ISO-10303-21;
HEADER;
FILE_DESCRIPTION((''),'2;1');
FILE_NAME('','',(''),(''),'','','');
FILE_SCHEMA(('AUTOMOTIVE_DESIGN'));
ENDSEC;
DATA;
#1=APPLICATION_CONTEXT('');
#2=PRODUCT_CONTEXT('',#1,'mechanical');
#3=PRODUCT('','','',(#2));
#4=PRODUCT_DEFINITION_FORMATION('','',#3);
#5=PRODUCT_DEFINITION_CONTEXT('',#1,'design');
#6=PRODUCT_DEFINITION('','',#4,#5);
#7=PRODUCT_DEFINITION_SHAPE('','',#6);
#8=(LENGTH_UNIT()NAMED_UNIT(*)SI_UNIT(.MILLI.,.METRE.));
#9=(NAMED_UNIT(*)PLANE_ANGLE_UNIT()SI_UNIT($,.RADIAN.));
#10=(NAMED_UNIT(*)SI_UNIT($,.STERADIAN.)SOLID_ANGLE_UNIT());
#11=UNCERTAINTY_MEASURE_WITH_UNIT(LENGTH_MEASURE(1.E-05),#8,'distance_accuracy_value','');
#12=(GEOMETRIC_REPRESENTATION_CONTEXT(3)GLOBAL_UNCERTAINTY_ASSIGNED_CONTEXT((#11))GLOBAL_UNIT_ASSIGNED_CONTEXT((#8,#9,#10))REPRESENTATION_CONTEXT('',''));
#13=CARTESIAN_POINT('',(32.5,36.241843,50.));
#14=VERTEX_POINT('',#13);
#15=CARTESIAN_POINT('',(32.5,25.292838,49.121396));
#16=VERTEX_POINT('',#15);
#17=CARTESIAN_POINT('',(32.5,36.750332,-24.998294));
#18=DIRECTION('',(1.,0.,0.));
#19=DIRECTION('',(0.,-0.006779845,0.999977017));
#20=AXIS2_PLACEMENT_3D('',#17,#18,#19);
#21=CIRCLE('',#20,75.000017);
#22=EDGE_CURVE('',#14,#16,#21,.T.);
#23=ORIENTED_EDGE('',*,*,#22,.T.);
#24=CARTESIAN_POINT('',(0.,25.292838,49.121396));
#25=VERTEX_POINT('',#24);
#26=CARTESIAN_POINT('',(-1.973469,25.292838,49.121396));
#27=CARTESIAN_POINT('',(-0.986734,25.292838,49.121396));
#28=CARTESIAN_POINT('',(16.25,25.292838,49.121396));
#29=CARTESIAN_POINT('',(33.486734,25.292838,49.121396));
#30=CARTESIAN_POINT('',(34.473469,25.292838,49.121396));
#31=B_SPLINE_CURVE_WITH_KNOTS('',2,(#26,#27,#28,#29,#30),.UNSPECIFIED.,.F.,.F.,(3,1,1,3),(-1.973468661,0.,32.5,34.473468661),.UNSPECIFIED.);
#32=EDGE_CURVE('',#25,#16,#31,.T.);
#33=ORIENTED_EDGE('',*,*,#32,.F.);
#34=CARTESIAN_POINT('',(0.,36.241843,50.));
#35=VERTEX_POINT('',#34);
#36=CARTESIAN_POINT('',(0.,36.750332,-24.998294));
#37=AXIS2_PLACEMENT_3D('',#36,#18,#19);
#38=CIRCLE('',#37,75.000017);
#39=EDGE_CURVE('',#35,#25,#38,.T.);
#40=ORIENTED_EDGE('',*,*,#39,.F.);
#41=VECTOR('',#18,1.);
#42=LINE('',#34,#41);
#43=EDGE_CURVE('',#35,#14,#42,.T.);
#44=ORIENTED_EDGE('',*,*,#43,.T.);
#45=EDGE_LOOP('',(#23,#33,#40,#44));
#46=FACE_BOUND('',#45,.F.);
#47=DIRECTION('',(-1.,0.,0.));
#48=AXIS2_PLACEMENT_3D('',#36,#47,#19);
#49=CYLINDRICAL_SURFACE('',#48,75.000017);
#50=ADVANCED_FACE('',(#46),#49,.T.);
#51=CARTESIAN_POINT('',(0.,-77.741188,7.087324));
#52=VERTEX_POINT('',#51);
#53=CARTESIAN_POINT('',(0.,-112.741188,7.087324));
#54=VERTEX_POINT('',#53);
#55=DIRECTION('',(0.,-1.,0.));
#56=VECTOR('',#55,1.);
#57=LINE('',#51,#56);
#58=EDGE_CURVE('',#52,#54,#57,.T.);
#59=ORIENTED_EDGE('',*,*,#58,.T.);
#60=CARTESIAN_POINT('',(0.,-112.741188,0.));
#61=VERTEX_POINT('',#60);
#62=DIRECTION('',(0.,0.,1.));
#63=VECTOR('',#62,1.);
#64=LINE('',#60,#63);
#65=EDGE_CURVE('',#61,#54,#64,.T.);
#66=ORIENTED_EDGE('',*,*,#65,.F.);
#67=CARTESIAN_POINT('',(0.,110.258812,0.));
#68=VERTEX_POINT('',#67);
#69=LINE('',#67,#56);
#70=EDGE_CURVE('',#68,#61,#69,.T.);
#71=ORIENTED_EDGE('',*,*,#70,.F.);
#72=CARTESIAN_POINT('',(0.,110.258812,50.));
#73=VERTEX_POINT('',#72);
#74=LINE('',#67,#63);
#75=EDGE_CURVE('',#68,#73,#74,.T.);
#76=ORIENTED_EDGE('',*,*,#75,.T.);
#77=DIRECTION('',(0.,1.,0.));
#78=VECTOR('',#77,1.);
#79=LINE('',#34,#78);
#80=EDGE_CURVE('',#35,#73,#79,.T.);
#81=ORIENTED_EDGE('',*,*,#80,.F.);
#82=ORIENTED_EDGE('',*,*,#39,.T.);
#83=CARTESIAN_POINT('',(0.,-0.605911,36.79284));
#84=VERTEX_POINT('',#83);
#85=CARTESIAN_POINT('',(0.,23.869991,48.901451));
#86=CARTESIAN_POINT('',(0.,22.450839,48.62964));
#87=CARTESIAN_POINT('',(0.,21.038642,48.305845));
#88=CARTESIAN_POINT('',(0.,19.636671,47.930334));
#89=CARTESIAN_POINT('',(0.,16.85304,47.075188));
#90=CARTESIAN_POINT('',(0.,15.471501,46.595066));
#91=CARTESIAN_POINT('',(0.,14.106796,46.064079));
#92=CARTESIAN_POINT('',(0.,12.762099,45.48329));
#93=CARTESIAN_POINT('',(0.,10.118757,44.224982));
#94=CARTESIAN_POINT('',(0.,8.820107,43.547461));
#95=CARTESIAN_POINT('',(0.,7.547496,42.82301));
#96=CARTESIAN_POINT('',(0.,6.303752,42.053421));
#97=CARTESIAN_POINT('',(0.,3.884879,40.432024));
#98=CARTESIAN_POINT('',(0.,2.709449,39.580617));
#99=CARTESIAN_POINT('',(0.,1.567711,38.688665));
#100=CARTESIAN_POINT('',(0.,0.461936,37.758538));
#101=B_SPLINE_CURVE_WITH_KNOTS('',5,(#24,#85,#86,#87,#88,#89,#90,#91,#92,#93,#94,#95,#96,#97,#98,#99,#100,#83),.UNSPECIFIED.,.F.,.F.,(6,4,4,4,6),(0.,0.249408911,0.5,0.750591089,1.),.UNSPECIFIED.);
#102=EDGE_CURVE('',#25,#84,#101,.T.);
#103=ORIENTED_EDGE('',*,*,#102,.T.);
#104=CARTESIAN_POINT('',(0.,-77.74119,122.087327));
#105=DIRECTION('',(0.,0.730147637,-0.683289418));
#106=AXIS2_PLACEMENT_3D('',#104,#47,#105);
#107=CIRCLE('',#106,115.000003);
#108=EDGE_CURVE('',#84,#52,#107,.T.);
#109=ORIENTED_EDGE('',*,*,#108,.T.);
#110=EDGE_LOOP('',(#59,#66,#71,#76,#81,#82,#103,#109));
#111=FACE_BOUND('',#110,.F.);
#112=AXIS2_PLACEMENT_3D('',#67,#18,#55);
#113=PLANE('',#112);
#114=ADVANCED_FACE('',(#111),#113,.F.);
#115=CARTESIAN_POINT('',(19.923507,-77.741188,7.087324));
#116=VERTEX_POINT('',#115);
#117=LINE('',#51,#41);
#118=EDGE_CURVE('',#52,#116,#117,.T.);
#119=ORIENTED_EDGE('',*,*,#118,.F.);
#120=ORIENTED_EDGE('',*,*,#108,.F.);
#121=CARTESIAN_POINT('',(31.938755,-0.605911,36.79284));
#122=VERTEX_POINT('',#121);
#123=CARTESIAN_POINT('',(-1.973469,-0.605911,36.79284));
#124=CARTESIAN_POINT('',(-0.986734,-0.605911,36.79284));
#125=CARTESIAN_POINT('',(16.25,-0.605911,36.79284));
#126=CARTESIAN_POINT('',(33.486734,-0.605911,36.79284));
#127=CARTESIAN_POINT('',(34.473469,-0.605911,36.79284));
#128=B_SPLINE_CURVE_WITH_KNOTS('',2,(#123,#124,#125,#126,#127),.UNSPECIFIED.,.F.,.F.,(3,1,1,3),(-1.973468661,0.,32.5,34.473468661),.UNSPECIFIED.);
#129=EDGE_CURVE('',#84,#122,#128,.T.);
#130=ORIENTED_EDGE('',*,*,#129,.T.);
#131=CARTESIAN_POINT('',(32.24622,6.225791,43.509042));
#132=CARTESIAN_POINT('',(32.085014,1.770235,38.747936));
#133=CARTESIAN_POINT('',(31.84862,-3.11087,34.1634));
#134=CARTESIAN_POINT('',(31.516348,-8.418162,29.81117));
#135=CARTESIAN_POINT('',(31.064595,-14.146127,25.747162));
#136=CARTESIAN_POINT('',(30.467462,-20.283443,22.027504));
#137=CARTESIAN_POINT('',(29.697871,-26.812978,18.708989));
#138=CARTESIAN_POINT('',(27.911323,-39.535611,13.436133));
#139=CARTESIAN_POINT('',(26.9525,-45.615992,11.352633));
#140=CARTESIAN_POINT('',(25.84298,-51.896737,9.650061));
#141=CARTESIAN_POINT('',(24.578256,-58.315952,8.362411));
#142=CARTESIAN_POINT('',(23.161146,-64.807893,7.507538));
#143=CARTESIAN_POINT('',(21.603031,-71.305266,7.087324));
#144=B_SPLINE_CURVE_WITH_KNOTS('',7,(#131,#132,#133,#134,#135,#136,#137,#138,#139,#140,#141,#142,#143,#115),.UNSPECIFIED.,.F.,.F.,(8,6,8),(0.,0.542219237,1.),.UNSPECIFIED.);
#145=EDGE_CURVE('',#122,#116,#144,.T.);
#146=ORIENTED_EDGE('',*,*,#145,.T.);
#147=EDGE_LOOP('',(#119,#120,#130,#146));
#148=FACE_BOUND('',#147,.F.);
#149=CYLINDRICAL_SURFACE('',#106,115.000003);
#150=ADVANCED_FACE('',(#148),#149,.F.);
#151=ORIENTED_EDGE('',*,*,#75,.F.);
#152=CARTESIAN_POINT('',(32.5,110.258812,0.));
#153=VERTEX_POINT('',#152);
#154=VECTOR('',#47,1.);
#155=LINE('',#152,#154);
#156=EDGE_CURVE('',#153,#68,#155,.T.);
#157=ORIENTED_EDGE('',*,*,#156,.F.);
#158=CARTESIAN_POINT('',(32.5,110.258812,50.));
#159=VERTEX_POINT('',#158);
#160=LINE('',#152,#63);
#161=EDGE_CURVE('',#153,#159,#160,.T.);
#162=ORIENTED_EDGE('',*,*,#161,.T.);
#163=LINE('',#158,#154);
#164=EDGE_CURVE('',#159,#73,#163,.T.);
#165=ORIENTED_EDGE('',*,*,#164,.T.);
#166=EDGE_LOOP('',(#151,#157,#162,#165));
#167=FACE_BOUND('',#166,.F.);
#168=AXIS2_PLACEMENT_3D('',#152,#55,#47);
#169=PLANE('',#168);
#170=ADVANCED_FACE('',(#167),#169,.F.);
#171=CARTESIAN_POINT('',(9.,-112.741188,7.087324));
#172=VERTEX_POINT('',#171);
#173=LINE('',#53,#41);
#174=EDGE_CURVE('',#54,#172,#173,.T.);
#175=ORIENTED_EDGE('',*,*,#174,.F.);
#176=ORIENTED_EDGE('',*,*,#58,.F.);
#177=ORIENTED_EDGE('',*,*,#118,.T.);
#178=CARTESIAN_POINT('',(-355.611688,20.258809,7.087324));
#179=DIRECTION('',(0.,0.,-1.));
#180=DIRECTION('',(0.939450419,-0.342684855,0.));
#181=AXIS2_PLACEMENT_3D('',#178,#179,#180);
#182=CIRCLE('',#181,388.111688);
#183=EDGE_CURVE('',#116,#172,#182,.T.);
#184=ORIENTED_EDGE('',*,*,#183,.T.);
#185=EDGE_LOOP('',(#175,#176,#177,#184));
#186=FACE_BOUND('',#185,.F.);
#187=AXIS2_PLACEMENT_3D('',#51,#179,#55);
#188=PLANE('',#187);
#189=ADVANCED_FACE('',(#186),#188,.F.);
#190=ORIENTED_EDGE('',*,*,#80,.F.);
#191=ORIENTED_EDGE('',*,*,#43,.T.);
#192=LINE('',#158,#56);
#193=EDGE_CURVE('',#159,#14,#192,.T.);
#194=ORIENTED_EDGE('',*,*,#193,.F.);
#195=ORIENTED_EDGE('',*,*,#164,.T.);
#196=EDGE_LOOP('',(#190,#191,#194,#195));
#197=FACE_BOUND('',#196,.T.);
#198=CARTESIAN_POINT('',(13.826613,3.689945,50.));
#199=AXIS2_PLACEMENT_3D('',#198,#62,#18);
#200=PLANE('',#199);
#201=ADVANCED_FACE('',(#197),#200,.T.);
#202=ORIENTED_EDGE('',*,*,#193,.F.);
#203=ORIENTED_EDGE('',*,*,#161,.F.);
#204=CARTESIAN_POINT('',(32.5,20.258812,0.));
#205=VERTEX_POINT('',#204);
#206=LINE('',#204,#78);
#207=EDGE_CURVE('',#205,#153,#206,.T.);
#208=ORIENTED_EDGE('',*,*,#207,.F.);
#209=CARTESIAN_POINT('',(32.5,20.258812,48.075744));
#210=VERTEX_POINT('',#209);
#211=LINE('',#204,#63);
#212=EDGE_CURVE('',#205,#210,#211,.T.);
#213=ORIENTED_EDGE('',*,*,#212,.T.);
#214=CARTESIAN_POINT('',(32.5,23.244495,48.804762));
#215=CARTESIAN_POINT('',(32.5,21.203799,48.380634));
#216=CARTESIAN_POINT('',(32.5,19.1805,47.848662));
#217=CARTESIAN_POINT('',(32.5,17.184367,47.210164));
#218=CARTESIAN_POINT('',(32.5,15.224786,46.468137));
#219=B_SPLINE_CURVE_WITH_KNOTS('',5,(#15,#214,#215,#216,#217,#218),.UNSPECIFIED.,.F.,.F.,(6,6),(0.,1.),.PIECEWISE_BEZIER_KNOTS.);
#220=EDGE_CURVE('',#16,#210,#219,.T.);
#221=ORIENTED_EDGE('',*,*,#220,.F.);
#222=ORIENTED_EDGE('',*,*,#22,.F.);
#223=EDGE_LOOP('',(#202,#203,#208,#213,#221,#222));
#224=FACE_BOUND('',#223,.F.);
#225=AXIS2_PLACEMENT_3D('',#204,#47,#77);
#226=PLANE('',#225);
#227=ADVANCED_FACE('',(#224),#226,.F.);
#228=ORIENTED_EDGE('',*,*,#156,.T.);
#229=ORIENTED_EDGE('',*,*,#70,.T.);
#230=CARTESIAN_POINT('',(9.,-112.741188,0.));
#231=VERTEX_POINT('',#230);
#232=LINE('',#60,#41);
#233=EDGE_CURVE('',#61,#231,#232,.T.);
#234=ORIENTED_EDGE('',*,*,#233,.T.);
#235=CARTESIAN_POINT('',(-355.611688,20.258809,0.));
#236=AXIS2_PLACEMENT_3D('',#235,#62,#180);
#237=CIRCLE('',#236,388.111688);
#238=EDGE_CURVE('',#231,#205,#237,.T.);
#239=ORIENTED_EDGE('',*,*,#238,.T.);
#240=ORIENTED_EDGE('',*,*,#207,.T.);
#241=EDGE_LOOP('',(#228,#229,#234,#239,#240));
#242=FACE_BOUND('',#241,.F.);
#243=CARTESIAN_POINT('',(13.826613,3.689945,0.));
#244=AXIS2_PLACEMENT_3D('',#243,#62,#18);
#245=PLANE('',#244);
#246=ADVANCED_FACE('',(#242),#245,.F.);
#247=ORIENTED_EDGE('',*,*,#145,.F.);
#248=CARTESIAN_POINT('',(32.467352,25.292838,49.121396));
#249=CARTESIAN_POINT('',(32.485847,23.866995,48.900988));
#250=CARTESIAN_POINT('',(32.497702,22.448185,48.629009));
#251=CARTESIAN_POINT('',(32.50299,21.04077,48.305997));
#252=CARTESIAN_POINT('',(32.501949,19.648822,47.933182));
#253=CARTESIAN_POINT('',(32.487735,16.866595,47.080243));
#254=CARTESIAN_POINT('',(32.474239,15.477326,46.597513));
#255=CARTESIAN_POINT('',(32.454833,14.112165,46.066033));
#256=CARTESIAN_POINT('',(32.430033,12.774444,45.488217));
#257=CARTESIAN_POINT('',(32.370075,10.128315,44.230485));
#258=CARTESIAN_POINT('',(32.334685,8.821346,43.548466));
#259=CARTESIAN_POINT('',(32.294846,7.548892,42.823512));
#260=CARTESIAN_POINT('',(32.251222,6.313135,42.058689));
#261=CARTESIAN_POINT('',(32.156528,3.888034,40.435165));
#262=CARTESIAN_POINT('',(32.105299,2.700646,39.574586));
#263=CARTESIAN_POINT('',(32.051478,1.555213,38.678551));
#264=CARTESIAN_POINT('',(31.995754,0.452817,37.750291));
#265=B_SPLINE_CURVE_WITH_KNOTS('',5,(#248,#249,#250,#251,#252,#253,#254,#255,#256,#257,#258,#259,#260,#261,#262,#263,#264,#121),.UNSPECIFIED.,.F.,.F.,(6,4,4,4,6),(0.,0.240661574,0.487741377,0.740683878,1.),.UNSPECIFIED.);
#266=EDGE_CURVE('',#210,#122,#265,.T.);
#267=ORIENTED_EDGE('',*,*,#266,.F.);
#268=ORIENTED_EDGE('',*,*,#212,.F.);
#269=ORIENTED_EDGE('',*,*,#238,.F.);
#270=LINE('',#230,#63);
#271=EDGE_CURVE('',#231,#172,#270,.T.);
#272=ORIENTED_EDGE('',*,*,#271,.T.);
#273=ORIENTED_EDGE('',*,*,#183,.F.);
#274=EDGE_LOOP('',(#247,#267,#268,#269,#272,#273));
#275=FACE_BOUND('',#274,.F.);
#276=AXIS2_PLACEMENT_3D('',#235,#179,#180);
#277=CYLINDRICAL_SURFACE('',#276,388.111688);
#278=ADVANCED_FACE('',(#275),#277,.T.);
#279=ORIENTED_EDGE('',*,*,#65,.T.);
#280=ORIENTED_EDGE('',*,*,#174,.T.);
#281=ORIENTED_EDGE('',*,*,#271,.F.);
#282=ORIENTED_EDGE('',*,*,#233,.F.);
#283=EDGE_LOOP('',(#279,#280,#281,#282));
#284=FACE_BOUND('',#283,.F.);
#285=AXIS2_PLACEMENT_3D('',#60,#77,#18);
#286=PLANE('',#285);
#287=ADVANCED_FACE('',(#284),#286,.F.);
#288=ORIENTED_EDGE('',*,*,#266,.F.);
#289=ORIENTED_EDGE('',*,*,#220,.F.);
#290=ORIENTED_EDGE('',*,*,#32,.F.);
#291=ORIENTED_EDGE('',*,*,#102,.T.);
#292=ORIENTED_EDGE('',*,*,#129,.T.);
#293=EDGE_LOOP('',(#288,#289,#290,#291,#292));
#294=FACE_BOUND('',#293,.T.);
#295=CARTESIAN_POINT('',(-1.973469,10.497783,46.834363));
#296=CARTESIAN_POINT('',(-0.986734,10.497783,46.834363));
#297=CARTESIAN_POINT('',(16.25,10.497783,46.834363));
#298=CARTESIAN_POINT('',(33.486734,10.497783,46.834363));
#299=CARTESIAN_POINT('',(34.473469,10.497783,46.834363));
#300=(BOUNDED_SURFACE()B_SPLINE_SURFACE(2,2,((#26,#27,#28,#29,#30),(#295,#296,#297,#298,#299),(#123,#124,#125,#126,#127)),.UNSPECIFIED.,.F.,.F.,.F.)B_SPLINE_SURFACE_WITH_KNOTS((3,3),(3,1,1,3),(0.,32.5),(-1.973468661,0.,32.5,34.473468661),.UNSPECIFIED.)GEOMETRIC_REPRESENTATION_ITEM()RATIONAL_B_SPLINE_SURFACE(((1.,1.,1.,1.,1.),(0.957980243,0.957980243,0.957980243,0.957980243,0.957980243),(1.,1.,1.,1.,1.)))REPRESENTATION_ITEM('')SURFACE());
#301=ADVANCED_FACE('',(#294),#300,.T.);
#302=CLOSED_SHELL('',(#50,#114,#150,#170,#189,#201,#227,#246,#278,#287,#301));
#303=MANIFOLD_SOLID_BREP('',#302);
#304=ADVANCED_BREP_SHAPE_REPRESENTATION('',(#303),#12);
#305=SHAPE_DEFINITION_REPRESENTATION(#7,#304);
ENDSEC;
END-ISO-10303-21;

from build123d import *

# Parameters (mm, degrees)
F1_DEPTH = 50
F3_DEPTH = 32.5
F4_R     = 50


with BuildPart() as f1:
    # F0 (on Top) → F1 (new body)
    with BuildSketch(Plane.XY):
        with BuildLine():
            Line((32.5, 110.258812), (0, 110.258812))
            Line((0, 110.258812), (0, -112.741188))
            Line((0, -112.741188), (9, -112.741188))
            ThreePointArc((9, -112.741188), (26.579848, -47.271274), (32.5, 20.258812))
            Line((32.5, 20.258812), (32.5, 110.258812))
        make_face()
    extrude(amount=F1_DEPTH)

    # F2 (on face) → F3 (cut)
    with BuildSketch(Plane(origin=(0, 0, 0), x_dir=(0, -1, 0), z_dir=(-1, 0, 0))):
        with BuildLine():
            Line((-37.258812, 50), (-36.241843, 50))
            ThreePointArc((-36.241843, 50), (-36.750328, 50.001724), (-37.258812, 50))
        make_face()
        with BuildLine():
            Line((112.741188, 50), (-12.258812, 50))
            Line((-12.258812, 50), (-36.241843, 50))
            ThreePointArc((-36.241843, 50), (-20.898034, 48.307281), (-6.225791, 43.509042))
            ThreePointArc((-6.225791, 43.509042), (31.978225, 16.584949), (77.741188, 7.087324))
            Line((77.741188, 7.087324), (112.741188, 7.087324))
            Line((112.741188, 7.087324), (112.741188, 50))
        make_face()
    extrude(amount=-F3_DEPTH, mode=Mode.SUBTRACT)

    # F4
    f4_edges = [f1.edges().sort_by_distance(p)[0] for p in [
        (16.12311, 6.225791, 43.509042),
    ]]
    fillet(f4_edges, radius=F4_R)


solid = f1.part
